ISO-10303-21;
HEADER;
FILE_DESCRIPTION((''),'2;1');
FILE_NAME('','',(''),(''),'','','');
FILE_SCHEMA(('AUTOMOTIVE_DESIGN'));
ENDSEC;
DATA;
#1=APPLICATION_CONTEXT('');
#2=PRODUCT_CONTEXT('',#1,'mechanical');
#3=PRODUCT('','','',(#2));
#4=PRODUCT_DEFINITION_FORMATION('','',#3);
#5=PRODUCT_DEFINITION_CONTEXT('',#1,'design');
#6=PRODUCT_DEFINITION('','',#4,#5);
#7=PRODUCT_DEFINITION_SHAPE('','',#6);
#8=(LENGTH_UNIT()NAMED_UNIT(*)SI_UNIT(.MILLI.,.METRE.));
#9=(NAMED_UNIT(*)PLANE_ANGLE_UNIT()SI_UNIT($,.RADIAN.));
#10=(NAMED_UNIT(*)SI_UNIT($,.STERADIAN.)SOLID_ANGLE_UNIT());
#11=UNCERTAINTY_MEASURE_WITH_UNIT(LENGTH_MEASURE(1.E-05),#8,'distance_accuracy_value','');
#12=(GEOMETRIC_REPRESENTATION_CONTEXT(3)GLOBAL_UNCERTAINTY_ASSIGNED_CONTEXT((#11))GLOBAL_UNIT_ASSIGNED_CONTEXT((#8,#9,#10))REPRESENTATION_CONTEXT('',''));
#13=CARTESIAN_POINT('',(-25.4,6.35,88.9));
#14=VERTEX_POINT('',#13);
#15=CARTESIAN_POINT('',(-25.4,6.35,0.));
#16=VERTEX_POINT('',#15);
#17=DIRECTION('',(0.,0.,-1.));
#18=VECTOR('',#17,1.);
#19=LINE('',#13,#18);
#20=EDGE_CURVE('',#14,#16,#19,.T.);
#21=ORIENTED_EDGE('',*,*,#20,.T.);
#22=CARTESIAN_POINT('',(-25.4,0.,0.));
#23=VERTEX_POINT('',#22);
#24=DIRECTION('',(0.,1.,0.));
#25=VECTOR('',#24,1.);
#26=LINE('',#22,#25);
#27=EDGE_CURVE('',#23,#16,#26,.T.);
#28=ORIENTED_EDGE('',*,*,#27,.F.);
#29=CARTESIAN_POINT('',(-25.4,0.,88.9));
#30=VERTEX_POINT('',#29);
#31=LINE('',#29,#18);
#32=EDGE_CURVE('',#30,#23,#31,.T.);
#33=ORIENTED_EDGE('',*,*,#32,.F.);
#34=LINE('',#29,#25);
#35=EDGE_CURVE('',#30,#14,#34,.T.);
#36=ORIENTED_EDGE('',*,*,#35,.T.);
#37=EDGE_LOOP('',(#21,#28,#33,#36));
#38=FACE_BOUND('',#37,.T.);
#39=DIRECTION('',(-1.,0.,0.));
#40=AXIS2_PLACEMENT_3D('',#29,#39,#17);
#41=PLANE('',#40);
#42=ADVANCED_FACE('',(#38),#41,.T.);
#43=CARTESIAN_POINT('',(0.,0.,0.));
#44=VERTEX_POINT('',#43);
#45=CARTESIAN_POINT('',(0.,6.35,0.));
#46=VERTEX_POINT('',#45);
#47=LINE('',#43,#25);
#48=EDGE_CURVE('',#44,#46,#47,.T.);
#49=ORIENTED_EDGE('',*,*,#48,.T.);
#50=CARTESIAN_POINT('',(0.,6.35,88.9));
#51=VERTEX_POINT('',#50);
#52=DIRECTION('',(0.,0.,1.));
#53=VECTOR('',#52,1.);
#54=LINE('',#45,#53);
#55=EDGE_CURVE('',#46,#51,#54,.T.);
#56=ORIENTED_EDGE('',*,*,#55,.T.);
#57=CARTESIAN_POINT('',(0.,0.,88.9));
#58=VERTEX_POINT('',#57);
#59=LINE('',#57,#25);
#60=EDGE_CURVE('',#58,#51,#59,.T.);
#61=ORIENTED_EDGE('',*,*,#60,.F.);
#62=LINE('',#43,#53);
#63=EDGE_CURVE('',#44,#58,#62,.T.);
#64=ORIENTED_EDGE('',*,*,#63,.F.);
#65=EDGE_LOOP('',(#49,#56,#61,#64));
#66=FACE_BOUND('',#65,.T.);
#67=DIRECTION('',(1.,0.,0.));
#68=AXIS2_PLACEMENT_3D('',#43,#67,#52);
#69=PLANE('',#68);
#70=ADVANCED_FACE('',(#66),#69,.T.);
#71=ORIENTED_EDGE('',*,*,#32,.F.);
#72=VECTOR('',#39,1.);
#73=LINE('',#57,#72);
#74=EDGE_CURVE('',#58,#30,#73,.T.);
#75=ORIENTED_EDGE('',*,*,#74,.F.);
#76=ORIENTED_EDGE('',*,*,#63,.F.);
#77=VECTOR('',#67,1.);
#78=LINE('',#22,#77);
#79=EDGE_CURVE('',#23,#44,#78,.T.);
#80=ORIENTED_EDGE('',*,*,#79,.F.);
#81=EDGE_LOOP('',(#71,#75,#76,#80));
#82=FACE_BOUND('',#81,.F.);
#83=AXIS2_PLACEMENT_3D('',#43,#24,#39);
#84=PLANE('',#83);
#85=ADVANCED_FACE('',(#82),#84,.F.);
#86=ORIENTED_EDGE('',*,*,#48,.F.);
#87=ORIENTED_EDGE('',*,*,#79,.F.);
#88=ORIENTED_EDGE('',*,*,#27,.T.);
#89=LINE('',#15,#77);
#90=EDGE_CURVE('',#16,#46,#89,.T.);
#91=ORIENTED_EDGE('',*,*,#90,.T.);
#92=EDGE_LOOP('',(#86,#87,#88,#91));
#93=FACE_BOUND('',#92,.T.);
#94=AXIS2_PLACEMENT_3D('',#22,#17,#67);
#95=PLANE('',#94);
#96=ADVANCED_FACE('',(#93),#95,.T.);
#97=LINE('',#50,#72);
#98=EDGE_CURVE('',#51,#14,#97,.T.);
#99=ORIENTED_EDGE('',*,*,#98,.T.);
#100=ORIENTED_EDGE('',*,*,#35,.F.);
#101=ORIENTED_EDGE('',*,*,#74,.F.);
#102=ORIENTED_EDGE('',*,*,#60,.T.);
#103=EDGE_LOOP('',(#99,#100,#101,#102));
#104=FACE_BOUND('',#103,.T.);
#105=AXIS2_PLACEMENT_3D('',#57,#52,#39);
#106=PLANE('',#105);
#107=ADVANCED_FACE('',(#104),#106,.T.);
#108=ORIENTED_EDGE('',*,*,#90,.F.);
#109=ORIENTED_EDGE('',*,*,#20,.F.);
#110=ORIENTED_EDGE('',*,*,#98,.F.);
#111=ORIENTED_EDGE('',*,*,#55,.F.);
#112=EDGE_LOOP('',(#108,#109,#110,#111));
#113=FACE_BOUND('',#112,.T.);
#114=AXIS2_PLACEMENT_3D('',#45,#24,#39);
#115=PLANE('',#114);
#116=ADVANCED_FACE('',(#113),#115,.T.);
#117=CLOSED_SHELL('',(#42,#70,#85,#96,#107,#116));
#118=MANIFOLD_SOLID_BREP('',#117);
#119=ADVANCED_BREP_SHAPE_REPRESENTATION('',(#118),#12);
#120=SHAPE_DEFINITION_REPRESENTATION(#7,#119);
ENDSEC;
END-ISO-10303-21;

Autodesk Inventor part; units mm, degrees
ref_plane "YZ Plane" through (0, 0, 0) normal (1, 0, 0) x (0, 1, 0)
ref_plane "XZ Plane" through (0, 0, 0) normal (0, 1, 0) x (-1, 0, 0)
ref_plane "XY Plane" through (0, 0, 0) normal (0, 0, 1) x (1, 0, 0)
sketch "Sketch1" plane through (0, 0, 0) normal (0, 1, 0) x (-1, 0, 0)
  line L0 (0, 0) -> (0, 88.9)
  line L1 (0, 88.9) -> (25.4, 88.9)
  line L2 (25.4, 88.9) -> (25.4, 0)
  line L3 (25.4, 0) -> (0, 0)
  dimension "d0" = 88.9
  dimension "d1" = 25.4
extrude "Extrusion1" add sketch "Sketch1" along normal blind 6.35
properties part number "3.5 in spacer"
